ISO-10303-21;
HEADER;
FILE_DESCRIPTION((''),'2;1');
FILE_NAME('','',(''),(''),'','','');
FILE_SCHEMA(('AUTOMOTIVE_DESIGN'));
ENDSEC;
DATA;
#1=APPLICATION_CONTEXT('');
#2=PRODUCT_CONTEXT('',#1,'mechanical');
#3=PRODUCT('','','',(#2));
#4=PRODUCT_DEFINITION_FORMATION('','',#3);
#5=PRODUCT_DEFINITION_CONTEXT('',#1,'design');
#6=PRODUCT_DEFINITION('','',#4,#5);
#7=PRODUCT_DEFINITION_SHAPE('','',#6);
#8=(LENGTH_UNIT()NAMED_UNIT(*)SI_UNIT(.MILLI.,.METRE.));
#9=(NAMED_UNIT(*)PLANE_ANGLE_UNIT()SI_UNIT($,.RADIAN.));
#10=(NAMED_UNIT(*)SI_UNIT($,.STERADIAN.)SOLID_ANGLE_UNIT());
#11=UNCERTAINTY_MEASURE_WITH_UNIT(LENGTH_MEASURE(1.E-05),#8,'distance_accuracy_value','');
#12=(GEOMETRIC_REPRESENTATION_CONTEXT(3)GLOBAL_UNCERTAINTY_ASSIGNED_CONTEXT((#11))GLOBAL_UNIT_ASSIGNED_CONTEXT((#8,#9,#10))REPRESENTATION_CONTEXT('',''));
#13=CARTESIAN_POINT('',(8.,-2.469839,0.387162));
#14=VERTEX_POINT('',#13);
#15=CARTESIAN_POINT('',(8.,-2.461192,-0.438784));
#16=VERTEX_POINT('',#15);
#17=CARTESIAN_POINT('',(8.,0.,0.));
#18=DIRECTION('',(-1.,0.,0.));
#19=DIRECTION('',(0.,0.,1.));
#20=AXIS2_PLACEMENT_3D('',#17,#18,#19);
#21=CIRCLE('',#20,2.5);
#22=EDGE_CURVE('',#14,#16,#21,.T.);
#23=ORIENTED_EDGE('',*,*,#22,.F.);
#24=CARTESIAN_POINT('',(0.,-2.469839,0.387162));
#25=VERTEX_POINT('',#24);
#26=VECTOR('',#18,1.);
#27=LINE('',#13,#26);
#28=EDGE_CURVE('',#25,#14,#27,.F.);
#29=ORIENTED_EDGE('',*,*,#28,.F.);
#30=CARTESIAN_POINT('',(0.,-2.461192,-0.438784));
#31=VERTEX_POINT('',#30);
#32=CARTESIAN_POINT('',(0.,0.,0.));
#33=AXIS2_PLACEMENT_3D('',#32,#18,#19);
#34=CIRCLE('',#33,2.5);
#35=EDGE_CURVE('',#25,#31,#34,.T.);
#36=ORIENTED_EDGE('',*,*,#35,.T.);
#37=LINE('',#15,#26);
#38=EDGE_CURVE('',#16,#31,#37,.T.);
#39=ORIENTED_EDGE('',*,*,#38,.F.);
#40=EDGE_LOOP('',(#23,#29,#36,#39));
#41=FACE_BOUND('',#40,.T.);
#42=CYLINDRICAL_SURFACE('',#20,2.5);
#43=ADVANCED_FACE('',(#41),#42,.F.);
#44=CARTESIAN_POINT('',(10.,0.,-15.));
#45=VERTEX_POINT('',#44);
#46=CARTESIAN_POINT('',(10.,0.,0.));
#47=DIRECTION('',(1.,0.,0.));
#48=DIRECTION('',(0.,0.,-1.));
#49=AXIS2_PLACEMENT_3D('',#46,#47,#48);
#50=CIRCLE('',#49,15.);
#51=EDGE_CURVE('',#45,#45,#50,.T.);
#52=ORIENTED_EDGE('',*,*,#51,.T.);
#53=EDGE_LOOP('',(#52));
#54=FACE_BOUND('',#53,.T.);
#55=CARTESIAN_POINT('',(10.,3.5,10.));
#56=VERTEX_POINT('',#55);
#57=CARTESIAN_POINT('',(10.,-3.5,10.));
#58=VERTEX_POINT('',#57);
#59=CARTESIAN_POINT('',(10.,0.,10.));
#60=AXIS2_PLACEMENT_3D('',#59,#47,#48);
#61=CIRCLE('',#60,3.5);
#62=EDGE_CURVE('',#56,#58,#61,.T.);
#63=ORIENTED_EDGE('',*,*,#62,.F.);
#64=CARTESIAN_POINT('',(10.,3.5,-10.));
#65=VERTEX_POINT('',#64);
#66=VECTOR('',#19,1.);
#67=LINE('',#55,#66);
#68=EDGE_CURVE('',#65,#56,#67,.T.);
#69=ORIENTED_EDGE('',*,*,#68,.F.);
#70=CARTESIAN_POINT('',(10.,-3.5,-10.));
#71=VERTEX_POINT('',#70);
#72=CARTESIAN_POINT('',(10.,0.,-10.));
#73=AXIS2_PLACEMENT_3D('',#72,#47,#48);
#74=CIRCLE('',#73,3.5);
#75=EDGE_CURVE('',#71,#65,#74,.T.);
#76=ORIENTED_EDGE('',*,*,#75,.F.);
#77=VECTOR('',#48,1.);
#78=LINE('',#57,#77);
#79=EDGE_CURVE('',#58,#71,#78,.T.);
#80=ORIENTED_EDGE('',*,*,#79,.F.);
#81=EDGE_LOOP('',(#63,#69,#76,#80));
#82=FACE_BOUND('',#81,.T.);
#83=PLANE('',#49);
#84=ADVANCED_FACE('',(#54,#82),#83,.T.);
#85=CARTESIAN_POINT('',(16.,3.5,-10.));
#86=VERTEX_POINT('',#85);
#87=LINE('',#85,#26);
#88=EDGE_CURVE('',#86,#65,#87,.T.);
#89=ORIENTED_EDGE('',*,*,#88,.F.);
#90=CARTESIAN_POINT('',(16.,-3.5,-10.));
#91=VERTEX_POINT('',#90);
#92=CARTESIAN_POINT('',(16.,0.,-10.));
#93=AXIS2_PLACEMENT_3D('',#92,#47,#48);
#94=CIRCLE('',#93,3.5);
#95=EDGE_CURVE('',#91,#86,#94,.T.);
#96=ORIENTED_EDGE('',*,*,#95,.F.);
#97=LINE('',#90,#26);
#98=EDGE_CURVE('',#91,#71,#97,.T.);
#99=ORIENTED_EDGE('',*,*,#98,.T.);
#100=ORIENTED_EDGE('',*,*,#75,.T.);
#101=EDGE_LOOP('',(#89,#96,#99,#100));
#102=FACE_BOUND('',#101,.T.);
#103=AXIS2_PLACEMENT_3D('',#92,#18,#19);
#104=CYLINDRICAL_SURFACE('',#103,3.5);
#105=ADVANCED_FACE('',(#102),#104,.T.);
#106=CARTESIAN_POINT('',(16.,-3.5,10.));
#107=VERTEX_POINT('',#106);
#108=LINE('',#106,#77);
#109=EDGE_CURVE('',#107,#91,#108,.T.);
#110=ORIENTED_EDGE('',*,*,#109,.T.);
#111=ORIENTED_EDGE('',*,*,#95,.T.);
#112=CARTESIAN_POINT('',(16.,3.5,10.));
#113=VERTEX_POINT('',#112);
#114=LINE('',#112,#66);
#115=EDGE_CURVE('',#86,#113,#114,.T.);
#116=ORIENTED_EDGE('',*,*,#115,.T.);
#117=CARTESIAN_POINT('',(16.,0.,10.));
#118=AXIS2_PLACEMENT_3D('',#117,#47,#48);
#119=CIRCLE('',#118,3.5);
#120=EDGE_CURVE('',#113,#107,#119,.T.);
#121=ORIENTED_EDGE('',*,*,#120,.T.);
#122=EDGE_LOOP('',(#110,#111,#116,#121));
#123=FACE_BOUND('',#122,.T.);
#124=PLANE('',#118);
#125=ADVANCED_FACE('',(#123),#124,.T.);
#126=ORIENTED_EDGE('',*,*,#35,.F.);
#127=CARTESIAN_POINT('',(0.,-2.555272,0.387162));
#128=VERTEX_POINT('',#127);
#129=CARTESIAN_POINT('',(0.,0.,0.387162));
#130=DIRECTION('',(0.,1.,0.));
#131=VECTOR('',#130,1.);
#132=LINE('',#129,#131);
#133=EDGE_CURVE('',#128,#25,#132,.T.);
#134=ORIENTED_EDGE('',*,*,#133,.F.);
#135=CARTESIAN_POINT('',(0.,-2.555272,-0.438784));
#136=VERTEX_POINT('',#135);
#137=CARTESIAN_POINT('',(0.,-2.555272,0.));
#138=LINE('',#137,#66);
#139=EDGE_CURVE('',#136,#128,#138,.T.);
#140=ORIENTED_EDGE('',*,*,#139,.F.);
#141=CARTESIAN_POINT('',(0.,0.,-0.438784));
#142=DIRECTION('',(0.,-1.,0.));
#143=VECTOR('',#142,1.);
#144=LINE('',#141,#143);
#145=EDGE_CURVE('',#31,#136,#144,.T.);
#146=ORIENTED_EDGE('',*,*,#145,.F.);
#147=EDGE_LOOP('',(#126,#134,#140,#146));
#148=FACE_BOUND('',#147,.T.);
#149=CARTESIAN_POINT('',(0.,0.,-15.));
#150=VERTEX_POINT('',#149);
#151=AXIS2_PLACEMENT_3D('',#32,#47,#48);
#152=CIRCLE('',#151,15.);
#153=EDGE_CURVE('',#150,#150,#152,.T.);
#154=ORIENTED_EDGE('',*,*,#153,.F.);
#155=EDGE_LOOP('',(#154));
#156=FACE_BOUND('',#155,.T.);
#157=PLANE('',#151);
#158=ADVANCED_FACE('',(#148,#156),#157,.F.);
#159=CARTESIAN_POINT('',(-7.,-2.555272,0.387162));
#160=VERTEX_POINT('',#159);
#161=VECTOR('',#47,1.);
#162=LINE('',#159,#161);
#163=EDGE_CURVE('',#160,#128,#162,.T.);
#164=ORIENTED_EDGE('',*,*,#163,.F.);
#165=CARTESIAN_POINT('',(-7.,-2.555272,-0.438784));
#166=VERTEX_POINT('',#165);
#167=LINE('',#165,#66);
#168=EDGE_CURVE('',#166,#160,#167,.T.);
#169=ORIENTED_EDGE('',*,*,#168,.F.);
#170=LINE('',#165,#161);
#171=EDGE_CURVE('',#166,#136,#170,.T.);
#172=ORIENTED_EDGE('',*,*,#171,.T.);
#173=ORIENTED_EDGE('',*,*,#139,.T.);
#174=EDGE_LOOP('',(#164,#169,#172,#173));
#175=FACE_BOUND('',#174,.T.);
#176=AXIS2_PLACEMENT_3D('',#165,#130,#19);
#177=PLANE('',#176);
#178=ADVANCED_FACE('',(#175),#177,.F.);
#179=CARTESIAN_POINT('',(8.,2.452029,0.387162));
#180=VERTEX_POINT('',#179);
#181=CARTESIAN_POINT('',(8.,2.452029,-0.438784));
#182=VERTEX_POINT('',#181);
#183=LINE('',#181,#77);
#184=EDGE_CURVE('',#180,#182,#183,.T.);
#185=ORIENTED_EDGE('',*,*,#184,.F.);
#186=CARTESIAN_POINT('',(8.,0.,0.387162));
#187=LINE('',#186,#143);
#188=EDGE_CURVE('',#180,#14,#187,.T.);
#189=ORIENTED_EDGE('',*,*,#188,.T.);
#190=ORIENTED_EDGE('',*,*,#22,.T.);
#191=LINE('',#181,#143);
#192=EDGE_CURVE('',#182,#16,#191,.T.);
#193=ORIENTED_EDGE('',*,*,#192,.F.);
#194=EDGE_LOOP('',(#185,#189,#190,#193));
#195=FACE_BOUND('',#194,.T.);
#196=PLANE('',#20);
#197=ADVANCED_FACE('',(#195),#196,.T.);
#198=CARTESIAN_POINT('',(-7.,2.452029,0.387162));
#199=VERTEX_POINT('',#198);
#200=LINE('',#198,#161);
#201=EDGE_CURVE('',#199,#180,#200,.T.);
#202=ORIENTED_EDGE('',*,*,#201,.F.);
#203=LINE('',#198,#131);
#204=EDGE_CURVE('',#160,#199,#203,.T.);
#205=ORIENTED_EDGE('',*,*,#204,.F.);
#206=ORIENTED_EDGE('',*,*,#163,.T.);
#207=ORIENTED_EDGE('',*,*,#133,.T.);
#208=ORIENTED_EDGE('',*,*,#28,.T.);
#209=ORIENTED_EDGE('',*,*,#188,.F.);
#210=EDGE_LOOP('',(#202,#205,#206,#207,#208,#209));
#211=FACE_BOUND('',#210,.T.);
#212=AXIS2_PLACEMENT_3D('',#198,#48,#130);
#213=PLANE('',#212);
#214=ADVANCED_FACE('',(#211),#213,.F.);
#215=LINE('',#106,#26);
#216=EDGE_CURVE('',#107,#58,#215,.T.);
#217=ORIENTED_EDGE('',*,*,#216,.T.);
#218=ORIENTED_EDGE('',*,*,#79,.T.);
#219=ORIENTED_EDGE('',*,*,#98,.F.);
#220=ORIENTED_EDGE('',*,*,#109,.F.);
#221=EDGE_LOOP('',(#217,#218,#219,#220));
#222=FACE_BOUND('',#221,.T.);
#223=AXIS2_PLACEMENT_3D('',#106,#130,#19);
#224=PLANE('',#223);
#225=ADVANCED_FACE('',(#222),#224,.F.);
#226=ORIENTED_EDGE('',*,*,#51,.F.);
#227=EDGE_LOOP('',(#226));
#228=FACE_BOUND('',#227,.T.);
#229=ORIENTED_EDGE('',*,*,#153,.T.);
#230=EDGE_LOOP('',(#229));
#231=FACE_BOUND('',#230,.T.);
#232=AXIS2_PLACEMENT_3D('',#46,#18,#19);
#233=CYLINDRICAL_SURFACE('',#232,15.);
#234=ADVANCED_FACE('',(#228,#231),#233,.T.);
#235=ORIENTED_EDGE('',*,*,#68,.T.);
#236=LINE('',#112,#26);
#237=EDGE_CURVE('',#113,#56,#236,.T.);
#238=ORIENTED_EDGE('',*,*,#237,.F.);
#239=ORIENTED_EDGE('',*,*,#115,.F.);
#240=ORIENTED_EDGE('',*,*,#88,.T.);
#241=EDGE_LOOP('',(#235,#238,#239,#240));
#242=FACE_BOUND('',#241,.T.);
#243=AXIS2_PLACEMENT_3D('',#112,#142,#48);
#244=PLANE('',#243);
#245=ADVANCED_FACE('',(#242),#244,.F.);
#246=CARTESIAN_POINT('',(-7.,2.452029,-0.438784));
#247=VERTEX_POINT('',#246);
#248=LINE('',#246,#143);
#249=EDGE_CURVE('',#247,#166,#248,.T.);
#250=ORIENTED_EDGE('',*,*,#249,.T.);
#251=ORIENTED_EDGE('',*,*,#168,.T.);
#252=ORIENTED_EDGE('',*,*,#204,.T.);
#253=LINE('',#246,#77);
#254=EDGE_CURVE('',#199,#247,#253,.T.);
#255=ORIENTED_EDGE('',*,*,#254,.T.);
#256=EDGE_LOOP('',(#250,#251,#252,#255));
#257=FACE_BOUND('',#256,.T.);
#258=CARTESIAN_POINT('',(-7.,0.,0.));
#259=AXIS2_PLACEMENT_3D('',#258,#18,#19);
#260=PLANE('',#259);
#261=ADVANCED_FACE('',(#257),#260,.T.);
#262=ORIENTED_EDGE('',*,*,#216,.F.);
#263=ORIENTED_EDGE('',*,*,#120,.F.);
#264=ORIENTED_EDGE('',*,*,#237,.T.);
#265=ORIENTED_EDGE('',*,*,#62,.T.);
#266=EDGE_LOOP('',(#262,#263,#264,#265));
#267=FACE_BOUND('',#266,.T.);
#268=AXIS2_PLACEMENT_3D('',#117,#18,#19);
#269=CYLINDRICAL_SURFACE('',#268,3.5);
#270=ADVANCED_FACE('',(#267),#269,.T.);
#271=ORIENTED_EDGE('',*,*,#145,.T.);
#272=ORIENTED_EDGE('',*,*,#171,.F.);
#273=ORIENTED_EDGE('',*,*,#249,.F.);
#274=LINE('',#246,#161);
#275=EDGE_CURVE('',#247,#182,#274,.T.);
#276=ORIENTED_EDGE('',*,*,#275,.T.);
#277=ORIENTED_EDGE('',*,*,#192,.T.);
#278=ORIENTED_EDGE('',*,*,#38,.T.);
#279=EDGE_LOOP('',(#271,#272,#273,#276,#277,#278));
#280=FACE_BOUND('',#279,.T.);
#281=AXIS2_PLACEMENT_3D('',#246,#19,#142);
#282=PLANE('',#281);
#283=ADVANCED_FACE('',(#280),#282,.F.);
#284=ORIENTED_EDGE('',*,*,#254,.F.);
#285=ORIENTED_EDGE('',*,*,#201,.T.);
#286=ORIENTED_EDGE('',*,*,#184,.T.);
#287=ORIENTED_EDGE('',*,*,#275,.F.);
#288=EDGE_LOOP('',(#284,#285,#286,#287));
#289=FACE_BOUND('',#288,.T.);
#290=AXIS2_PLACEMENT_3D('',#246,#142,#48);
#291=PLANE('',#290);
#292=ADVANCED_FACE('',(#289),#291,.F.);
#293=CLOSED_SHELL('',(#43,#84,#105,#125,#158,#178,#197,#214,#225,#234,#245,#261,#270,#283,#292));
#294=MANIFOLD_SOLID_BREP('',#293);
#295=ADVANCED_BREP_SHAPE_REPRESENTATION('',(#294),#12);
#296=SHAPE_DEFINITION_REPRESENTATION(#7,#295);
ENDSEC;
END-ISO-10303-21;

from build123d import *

# Parameters (mm, degrees)
SKETCH2_R           = 15
BOSS_EXTRUDE1_DEPTH = 10
BOSS_EXTRUDE2_DEPTH = 6
SKETCH4_R           = 2.5
CUT_EXTRUDE1_DEPTH  = 8
SKETCH6_W           = 0.825946649
SKETCH6_H           = 5.007301559
BOSS_EXTRUDE3_DEPTH = 15


with BuildPart() as part:
    # Sketch2 → Boss-Extrude1 (new body)
    with BuildSketch(Plane(origin=(0, 0, 0), x_dir=(0, 0, -1), z_dir=(1, 0, 0))):
        Circle(SKETCH2_R)
    extrude(amount=BOSS_EXTRUDE1_DEPTH)

    # Sketch3 → Boss-Extrude2 (add)
    with BuildSketch(Plane(origin=(10, 0, 0), x_dir=(0, 0, -1), z_dir=(1, 0, 0))):
        with BuildLine():
            Line((-10, 3.5), (10, 3.5))
            ThreePointArc((10, 3.5), (13.5, 0), (10, -3.5))
            Line((10, -3.5), (-10, -3.5))
            ThreePointArc((-10, -3.5), (-13.5, 0), (-10, 3.5))
        make_face()
    extrude(amount=BOSS_EXTRUDE2_DEPTH)

    # Sketch4 → Cut-Extrude1 (cut)
    with BuildSketch(Plane.ZY):
        Circle(SKETCH4_R)
    extrude(amount=-CUT_EXTRUDE1_DEPTH, mode=Mode.SUBTRACT)

    # Sketch6 → Boss-Extrude3 (add)
    with BuildSketch(Plane.ZY.offset(-8)):
        with Locations((-0.025810832, -0.051621665)):
            Rectangle(SKETCH6_W, SKETCH6_H)
    extrude(amount=BOSS_EXTRUDE3_DEPTH)


solid = part.part
